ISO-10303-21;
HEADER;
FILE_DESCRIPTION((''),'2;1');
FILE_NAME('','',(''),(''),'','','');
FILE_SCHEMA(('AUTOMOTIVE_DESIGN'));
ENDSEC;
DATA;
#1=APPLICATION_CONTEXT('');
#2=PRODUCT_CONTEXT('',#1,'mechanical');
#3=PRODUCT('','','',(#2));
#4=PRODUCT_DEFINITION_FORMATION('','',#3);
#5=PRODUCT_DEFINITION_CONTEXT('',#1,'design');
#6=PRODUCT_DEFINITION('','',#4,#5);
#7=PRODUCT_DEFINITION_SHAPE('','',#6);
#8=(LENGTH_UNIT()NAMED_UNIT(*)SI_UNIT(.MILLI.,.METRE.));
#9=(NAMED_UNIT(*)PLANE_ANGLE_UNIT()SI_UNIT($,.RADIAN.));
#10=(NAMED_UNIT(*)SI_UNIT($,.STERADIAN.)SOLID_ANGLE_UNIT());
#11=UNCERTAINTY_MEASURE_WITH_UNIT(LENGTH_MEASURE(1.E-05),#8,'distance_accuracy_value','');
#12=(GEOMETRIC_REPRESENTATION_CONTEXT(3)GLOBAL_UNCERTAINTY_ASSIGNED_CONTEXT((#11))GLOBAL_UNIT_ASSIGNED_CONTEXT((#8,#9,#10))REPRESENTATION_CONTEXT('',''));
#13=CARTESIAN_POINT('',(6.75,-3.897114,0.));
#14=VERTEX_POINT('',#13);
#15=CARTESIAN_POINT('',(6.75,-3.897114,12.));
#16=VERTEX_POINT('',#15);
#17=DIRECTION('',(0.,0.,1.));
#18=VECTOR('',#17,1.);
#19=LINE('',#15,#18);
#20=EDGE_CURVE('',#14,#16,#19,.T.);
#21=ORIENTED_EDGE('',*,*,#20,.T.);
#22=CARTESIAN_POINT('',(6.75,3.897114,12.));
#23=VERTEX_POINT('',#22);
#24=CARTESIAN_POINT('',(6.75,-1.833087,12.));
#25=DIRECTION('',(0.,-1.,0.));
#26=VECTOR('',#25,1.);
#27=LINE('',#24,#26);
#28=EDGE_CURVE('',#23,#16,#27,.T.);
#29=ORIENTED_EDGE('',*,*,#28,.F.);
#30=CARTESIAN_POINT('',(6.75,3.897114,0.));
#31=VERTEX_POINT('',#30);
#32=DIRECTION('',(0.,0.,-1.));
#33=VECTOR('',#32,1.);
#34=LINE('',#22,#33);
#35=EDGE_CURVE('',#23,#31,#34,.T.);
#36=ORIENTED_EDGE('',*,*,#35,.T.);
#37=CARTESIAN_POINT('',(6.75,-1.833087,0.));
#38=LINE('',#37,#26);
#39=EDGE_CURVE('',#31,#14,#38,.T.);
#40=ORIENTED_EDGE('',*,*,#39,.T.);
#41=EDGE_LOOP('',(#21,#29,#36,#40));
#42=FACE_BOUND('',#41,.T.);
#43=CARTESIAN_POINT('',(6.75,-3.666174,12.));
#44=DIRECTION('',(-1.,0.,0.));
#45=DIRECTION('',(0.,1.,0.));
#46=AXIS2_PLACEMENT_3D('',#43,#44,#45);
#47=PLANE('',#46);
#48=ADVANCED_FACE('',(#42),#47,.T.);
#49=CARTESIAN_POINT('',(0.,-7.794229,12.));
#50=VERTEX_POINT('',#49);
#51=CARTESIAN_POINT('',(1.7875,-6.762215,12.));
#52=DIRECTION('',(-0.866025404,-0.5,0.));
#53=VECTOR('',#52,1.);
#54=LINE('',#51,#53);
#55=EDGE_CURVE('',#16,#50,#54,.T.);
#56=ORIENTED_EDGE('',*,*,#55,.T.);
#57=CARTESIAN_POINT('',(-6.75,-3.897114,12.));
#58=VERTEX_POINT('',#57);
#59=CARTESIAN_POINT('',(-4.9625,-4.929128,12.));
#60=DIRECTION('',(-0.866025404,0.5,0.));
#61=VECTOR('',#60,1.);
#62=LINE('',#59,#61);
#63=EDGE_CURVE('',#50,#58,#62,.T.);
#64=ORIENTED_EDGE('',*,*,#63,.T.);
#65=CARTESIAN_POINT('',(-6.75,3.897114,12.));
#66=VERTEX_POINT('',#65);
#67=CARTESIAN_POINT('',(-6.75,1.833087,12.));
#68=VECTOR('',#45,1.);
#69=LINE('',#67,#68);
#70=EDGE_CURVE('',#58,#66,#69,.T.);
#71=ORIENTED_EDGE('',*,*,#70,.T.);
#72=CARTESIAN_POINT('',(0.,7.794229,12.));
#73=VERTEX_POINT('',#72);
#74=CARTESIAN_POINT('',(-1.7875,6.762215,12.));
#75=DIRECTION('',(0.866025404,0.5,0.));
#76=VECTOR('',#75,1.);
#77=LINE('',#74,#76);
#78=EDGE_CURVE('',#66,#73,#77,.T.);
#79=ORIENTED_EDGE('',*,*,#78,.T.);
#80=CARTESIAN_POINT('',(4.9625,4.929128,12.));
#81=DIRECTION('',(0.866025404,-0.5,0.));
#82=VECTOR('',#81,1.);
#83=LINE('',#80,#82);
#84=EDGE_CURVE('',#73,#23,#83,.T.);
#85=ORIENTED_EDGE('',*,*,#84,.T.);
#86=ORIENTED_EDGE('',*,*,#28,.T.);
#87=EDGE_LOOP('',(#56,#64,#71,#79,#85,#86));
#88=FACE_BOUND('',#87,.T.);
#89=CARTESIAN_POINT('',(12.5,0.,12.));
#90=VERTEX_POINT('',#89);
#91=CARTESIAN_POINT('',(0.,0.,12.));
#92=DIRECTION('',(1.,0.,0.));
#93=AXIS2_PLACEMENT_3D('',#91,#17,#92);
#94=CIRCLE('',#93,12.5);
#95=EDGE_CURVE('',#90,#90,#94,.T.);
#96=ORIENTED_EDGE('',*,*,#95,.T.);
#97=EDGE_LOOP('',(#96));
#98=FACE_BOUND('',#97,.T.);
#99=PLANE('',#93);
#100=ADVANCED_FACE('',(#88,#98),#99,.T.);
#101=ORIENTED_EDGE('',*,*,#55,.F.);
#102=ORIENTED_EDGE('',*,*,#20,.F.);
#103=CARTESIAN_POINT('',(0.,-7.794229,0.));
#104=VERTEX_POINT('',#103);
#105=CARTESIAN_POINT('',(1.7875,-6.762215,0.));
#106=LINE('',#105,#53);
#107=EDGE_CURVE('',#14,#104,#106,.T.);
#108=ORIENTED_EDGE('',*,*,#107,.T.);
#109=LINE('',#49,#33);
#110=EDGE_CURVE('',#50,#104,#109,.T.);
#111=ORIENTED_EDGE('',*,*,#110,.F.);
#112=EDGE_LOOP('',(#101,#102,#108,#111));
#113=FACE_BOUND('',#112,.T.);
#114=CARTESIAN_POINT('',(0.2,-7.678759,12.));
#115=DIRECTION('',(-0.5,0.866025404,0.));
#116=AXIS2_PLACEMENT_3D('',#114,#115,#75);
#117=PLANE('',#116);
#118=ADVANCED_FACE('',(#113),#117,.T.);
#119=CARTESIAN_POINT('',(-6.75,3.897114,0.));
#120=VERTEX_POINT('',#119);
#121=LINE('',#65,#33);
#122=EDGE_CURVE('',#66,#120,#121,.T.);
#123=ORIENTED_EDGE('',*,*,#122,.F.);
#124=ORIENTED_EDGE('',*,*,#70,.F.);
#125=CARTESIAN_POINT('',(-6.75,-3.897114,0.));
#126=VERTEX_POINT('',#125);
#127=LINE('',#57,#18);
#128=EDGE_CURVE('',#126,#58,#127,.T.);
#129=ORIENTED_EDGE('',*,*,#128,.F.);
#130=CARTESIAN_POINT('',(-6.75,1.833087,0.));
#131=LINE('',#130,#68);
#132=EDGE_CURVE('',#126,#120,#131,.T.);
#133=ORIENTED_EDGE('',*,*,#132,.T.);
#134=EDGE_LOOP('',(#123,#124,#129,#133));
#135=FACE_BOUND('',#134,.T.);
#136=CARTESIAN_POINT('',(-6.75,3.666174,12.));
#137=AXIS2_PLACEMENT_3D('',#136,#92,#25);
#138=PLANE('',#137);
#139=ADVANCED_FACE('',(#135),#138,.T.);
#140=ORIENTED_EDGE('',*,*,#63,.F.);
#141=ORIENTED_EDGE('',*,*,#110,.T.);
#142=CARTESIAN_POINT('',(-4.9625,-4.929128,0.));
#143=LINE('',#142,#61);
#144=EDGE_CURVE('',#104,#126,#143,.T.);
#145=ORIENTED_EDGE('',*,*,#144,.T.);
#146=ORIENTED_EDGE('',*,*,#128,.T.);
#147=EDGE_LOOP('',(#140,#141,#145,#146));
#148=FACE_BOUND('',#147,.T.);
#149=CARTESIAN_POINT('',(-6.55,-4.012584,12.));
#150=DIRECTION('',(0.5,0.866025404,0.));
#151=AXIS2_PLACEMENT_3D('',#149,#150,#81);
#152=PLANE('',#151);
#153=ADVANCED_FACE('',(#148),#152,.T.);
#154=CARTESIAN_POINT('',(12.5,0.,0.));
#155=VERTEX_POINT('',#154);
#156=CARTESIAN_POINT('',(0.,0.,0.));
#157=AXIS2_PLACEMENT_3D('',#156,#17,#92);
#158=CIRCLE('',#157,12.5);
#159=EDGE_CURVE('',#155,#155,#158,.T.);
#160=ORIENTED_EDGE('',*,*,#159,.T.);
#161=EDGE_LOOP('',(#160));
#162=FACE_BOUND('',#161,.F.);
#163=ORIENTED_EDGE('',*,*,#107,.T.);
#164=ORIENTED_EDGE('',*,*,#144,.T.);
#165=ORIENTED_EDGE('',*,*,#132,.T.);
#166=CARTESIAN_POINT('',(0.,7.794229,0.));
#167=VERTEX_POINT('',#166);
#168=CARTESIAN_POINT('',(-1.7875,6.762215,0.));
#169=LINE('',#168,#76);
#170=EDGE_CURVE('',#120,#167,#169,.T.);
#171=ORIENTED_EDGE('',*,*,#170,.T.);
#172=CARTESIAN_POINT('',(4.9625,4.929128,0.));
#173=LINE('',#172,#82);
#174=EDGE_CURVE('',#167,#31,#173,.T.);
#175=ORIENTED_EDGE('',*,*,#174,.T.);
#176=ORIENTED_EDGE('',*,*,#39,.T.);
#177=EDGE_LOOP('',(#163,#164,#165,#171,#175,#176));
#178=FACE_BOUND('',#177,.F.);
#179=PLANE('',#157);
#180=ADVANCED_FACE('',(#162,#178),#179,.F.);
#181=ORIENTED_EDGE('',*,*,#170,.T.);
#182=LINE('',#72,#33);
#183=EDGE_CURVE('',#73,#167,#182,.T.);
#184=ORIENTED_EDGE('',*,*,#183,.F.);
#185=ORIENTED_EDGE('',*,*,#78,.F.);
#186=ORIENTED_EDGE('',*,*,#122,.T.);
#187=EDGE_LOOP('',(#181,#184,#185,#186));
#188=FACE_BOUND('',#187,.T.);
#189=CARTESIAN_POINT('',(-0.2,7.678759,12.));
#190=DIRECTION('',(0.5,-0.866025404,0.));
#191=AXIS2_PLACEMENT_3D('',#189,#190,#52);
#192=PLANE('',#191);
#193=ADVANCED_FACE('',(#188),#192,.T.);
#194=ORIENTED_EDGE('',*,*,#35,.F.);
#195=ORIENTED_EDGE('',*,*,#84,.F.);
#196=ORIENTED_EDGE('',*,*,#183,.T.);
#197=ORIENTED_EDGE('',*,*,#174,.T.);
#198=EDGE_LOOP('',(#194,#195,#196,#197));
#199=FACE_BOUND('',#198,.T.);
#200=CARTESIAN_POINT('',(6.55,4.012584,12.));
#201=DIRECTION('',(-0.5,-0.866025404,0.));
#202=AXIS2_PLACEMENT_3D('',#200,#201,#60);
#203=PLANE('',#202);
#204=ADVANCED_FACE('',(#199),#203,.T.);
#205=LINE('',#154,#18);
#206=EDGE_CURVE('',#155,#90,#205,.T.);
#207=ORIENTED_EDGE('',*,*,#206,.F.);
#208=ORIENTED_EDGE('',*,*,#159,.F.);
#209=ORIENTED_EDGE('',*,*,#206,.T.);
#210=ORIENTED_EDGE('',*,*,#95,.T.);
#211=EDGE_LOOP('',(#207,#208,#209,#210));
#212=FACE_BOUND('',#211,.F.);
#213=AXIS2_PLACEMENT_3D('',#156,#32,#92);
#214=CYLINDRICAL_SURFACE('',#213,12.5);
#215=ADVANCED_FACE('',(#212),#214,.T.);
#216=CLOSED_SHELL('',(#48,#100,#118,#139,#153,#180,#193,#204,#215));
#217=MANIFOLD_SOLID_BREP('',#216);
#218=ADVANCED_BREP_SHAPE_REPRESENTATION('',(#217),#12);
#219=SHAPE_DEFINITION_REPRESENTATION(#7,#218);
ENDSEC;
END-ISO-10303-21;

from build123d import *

# Parameters (mm, degrees)
F1_R          = 12.5
F2_DEPTH      = 12
F4_DEPTH      = 25
F4_DEPTH_BACK = 25
F5_OFFSET     = 0.4


with BuildPart() as f2:
    # F1 (on Top) → F2 (new body)
    with BuildSketch(Plane.XY):
        Circle(F1_R)
    extrude(amount=F2_DEPTH)


with BuildPart() as f4:
    # F3 (on face) → F4 (new body, two sides)
    with BuildSketch(Plane.XY.offset(12)) as f4_sk:
        Polygon((0, -7.3323484187), (6.35, -3.6661742094), (6.35, 3.6661742094), (0, 7.3323484187), (-6.35, 3.6661742094), (-6.35, -3.6661742094), align=None)
    extrude(amount=-F4_DEPTH)
    extrude(f4_sk.sketch, amount=F4_DEPTH_BACK)


with BuildPart() as f2_1:
    add(f2.part)

    # F5: cut F4, made larger all round first
    f5_tool = offset(f4.part, amount=F5_OFFSET, kind=Kind.INTERSECTION, mode=Mode.PRIVATE)
    add(f5_tool, mode=Mode.SUBTRACT)


solid = f2_1.part
